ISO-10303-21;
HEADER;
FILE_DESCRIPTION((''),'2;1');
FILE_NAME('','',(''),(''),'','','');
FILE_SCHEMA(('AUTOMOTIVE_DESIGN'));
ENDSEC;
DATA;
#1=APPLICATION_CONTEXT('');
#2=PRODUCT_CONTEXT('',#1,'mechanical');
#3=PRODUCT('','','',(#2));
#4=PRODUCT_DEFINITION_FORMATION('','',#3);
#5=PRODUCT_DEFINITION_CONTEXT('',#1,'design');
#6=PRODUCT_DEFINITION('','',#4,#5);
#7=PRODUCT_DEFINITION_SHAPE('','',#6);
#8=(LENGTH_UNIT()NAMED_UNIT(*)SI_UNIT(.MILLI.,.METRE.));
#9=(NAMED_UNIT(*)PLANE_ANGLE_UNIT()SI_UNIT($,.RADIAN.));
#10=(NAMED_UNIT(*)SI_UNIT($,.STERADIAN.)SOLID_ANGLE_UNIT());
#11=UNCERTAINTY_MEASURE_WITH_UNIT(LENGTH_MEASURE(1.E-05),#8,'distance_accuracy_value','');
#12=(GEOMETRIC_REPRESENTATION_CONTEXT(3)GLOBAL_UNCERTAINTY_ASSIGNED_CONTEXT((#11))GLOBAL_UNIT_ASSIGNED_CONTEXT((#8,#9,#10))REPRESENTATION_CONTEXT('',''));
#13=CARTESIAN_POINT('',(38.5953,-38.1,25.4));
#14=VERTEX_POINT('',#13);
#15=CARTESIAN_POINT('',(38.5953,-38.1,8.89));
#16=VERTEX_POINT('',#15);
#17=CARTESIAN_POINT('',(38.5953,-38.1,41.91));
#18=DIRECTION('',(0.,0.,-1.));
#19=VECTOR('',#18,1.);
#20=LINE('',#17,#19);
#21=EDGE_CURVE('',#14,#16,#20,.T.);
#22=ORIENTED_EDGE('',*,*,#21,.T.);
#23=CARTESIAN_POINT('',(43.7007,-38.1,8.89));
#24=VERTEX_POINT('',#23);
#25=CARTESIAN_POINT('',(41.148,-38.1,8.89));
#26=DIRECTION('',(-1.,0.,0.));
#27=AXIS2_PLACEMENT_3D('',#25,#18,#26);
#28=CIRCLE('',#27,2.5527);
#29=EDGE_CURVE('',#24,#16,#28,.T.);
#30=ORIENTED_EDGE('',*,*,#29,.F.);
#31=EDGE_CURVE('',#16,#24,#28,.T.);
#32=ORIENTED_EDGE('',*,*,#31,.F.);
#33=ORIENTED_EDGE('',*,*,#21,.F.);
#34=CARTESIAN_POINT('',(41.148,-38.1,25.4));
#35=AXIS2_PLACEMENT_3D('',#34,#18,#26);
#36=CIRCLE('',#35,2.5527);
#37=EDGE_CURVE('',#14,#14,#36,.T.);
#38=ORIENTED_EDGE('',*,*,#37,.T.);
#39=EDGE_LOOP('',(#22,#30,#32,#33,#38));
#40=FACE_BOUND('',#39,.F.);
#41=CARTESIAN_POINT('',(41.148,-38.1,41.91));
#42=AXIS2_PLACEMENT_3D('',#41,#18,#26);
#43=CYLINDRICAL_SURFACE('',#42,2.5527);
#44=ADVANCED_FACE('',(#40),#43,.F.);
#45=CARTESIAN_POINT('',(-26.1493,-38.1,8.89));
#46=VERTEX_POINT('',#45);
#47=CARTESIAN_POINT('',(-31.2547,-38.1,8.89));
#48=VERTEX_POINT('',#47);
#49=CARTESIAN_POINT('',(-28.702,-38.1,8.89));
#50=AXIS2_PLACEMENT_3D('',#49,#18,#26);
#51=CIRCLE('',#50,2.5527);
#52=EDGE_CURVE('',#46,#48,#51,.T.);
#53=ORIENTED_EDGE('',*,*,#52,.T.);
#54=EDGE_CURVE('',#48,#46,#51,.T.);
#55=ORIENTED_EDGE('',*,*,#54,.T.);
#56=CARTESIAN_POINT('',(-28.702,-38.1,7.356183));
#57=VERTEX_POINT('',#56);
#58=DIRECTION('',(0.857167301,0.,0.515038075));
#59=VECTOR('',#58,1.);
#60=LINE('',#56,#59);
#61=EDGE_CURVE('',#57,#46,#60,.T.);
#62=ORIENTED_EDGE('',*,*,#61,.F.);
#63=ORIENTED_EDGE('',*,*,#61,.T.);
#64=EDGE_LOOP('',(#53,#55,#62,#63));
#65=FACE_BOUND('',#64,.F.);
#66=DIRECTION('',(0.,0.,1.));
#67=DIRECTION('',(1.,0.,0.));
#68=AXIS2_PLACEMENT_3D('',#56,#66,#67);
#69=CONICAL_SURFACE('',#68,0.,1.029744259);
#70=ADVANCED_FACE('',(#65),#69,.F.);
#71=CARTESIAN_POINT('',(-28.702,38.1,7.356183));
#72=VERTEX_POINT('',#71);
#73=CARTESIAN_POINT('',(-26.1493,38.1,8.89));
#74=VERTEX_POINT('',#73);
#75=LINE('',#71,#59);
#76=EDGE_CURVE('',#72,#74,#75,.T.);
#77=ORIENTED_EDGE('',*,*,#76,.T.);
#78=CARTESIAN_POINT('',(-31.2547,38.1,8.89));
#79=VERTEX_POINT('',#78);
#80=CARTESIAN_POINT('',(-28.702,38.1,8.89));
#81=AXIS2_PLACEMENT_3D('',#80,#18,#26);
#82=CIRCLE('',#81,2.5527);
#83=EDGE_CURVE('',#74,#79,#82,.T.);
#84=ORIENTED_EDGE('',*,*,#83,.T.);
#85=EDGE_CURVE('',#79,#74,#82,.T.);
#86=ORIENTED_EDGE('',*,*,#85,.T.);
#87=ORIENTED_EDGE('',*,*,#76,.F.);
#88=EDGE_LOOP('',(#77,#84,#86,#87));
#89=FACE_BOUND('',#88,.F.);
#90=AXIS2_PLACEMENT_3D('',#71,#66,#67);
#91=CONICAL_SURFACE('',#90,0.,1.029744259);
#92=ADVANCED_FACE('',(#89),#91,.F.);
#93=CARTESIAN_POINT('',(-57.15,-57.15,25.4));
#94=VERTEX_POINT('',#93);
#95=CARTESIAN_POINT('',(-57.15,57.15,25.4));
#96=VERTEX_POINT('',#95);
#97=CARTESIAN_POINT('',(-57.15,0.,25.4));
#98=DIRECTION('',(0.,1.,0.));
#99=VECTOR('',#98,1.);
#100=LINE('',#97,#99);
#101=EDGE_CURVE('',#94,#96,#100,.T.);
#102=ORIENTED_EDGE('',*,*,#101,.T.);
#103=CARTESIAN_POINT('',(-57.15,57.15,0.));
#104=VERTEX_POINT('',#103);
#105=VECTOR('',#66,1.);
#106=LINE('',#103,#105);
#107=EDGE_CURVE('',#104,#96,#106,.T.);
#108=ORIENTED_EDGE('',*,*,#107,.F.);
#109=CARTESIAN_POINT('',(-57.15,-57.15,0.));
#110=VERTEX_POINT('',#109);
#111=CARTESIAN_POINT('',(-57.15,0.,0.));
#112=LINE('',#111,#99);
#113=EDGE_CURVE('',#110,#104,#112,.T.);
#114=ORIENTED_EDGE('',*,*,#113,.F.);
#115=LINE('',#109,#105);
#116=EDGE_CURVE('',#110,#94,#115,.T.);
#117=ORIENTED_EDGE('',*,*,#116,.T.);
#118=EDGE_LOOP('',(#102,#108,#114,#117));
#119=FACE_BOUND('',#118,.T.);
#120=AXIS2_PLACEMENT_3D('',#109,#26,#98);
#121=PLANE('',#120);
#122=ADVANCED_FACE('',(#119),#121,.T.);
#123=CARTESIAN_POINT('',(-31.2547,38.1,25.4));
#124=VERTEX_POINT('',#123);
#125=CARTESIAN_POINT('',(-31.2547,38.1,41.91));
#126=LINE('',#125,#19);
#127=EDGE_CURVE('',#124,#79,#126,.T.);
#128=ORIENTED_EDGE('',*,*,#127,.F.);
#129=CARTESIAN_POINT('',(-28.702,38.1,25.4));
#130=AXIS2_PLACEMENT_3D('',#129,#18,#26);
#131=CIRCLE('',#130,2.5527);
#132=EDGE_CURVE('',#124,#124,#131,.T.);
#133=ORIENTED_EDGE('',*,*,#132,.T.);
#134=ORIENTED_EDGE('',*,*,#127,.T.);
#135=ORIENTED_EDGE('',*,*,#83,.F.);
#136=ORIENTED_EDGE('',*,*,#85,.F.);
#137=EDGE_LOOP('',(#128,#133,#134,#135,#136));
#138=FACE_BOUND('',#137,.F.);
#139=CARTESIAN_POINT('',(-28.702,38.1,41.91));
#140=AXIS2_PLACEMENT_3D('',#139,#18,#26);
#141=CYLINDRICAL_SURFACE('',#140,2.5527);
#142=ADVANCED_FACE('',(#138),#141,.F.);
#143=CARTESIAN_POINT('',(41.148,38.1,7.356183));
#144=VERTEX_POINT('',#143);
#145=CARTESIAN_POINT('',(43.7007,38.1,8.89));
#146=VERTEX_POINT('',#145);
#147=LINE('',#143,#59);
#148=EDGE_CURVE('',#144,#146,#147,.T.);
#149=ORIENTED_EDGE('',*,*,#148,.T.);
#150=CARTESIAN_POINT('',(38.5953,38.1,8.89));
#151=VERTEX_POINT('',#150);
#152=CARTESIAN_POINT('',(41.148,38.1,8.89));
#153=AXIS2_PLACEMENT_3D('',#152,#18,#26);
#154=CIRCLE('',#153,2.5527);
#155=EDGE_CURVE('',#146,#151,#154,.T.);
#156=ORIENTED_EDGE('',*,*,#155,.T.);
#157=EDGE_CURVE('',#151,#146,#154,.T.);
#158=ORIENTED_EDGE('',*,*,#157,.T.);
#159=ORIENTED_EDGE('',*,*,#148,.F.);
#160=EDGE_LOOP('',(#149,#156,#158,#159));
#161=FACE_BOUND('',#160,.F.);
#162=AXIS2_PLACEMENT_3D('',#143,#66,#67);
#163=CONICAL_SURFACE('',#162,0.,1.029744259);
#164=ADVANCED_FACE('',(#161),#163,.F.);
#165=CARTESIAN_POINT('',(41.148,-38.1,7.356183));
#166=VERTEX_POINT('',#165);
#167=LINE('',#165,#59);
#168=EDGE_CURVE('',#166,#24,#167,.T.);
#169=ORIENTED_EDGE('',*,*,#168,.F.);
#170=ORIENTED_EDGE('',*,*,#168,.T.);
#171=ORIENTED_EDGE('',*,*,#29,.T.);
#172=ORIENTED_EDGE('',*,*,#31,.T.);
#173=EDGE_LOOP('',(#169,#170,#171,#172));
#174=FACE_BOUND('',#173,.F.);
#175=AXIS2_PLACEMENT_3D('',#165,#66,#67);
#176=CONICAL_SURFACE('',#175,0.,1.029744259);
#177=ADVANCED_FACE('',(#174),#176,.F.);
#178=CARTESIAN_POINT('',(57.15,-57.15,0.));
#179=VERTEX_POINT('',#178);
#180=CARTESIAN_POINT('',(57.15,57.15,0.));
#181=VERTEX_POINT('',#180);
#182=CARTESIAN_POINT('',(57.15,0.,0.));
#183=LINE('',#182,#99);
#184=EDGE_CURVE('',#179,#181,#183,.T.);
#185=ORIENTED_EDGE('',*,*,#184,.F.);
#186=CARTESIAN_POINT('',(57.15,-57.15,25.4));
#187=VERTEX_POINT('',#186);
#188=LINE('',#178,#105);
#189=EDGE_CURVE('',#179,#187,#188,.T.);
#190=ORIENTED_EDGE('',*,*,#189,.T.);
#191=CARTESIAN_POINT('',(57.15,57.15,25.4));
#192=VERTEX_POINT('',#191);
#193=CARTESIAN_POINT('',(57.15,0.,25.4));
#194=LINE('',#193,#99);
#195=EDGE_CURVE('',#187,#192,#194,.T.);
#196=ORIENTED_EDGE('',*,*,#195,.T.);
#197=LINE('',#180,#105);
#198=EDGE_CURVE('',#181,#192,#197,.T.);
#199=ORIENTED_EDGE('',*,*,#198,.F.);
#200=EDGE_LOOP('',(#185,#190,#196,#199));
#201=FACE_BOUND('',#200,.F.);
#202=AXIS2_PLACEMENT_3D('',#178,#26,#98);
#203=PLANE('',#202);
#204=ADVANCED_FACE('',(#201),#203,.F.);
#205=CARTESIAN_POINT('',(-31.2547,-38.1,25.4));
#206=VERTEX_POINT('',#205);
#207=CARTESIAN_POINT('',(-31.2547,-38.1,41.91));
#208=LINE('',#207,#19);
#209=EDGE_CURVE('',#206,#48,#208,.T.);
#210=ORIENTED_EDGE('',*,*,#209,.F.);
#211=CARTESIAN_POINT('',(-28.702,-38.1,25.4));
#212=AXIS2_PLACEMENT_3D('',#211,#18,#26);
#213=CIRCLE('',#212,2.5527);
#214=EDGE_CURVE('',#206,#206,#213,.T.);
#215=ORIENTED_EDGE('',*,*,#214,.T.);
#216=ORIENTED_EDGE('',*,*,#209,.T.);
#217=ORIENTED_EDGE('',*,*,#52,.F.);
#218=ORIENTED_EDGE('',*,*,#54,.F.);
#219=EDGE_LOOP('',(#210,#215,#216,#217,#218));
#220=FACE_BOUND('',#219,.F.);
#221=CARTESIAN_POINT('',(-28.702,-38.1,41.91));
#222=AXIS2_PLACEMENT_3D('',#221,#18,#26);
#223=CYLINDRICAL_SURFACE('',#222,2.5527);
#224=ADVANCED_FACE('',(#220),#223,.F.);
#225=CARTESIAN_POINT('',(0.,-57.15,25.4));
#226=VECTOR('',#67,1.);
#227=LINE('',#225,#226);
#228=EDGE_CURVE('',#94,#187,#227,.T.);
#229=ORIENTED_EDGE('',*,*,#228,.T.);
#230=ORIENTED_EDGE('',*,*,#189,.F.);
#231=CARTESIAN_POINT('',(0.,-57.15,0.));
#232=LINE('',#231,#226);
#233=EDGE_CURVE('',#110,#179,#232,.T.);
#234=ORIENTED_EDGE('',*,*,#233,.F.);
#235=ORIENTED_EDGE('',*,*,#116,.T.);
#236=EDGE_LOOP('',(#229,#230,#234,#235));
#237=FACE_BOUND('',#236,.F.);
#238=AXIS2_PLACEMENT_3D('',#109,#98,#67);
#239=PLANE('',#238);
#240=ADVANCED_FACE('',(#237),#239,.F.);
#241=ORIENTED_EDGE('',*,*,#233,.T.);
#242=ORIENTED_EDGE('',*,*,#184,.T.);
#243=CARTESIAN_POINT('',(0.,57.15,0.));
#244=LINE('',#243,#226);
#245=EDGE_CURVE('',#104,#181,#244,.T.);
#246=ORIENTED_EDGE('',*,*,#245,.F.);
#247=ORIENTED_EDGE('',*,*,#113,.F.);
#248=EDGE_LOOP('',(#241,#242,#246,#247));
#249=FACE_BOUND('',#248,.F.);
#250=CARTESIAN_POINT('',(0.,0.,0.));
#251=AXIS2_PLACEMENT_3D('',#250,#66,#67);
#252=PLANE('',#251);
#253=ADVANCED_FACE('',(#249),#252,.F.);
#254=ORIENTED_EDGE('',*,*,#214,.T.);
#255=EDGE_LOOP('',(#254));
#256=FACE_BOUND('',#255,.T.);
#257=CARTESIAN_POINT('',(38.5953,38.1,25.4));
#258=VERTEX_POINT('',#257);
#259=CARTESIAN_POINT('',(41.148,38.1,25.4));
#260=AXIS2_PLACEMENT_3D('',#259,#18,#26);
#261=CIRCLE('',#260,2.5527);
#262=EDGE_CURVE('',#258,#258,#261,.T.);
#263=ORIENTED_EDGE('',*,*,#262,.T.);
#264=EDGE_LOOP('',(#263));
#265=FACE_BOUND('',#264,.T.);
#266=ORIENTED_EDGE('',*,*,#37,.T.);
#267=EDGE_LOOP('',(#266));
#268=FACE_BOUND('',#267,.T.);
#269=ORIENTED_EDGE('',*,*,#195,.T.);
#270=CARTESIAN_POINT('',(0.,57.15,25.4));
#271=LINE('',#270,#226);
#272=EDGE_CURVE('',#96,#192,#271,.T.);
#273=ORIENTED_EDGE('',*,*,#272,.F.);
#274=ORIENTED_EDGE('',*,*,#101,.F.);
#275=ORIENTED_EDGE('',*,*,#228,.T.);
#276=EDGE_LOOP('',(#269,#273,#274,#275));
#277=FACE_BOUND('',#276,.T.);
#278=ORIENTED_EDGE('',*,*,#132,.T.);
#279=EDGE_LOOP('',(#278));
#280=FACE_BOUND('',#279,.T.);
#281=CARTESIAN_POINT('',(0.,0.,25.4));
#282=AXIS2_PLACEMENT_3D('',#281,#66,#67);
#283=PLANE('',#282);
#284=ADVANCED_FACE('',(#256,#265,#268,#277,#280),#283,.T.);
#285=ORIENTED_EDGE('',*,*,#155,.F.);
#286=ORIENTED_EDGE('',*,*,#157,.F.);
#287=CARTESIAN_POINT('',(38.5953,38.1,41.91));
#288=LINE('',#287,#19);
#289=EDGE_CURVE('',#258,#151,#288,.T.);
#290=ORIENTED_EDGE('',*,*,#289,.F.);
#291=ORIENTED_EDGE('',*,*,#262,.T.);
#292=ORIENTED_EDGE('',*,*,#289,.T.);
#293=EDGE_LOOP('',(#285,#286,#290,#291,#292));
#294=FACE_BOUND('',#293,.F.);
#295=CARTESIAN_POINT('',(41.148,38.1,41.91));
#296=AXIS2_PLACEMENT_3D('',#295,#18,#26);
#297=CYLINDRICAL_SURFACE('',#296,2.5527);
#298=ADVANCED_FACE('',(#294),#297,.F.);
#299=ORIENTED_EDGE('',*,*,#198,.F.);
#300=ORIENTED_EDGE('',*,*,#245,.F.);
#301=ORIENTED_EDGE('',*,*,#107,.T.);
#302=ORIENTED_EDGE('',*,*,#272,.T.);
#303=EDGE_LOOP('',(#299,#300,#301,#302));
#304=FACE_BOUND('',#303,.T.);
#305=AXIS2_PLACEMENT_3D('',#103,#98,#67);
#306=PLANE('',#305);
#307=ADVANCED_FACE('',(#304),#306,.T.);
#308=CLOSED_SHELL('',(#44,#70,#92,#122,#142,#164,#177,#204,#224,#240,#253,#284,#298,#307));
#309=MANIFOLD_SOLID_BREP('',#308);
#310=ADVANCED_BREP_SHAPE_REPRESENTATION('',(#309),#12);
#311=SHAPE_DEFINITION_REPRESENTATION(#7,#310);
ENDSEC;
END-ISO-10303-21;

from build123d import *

# Parameters (mm, degrees)
F0_W     = 114.3
F0_H     = 114.3
F1_DEPTH = 25.4
F3_D     = 5.1054
F3_DEPTH = 16.51
F3_TIP   = 1.5338169022


with BuildPart() as f1:
    # F0 (on Top) → F1 (new body)
    with BuildSketch(Plane.XY):
        Rectangle(F0_W, F0_H)
    extrude(amount=F1_DEPTH)

    # F3
    with Locations(Plane.XY.offset(25.4)):
        with Locations((-28.702, 38.1), (41.148, 38.1), (-28.702, -38.1), (41.148, -38.1)):
            Hole(F3_D / 2, depth=F3_DEPTH)
            with Locations((0, 0, -(F3_DEPTH + F3_TIP / 2))):  # 118° drill point
                Cone(0, F3_D / 2, F3_TIP, mode=Mode.SUBTRACT)


solid = f1.part
